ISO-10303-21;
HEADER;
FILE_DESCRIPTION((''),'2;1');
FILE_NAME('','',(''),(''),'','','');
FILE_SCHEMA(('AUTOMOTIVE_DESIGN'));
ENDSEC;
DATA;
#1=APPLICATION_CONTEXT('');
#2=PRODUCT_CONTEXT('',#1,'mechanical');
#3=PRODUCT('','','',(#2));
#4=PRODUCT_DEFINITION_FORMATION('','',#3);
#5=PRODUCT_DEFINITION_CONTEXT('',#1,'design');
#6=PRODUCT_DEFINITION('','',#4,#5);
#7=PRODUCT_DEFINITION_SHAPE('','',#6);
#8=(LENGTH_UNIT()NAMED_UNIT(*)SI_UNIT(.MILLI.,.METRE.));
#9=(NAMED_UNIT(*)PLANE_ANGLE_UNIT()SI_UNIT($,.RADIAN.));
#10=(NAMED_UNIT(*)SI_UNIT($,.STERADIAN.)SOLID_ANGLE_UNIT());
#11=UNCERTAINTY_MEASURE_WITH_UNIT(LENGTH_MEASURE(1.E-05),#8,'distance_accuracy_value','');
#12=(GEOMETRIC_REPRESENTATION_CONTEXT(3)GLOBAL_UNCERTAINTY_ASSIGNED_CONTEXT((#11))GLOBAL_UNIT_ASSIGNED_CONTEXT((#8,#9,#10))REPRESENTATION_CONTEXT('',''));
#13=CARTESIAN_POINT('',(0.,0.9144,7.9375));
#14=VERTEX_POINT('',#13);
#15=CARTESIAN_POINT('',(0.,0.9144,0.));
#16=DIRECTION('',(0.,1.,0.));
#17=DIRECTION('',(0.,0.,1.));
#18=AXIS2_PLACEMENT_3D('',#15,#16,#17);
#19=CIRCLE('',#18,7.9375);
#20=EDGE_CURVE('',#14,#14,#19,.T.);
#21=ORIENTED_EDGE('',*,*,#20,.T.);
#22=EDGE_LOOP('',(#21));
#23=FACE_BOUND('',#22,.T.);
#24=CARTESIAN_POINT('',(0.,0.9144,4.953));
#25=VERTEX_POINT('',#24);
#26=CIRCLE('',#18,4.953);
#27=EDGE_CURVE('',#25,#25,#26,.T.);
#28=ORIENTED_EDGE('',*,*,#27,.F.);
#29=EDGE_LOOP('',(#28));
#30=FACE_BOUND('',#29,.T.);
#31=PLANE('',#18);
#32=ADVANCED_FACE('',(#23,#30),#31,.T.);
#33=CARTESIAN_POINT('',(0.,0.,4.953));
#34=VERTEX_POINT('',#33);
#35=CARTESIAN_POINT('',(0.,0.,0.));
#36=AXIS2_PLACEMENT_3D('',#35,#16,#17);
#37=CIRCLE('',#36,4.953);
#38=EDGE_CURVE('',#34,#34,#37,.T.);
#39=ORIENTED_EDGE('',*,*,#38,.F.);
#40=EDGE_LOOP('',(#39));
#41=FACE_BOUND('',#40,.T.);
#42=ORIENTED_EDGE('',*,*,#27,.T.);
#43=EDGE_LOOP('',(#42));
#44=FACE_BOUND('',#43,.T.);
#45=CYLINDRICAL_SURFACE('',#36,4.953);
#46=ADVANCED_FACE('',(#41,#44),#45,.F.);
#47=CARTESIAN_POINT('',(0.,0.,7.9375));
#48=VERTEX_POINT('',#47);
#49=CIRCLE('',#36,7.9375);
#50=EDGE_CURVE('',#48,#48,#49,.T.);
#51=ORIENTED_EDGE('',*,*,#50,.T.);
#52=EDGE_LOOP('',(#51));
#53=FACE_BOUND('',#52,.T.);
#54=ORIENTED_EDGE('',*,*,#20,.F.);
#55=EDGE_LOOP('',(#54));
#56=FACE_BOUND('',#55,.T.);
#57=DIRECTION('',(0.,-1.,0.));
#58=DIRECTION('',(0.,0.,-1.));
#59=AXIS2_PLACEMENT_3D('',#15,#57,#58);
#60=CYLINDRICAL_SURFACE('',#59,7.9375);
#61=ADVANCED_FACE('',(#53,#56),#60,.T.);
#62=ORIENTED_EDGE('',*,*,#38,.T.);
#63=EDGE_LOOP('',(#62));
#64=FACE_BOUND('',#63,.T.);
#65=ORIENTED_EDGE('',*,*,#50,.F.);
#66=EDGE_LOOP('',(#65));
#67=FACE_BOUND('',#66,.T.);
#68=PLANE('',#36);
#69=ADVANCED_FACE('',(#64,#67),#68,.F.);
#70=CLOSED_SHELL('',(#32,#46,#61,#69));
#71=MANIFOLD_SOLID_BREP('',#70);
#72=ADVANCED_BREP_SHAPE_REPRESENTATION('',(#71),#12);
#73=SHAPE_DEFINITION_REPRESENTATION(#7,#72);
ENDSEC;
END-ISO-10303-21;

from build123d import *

# Parameters (mm, degrees)
SKETCH1_R           = 7.9375
BOSS_EXTRUDE1_DEPTH = 0.9144
SKETCH5_R           = 4.953
CUT_EXTRUDE1_DEPTH  = 1.9144


with BuildPart() as part:
    # Sketch1 → Boss-Extrude1 (new body)
    with BuildSketch(Plane(origin=(0, 0, 0), x_dir=(1, 0, 0), z_dir=(0, 1, 0))):
        Circle(SKETCH1_R)
    extrude(amount=BOSS_EXTRUDE1_DEPTH)

    # Sketch5 → Cut-Extrude1 (cut, through all)
    with BuildSketch(Plane(origin=(0, 0.9144, 0), x_dir=(-1, 0, 0), z_dir=(0, 1, 0))):
        Circle(SKETCH5_R)
    extrude(amount=-CUT_EXTRUDE1_DEPTH, mode=Mode.SUBTRACT)


solid = part.part
